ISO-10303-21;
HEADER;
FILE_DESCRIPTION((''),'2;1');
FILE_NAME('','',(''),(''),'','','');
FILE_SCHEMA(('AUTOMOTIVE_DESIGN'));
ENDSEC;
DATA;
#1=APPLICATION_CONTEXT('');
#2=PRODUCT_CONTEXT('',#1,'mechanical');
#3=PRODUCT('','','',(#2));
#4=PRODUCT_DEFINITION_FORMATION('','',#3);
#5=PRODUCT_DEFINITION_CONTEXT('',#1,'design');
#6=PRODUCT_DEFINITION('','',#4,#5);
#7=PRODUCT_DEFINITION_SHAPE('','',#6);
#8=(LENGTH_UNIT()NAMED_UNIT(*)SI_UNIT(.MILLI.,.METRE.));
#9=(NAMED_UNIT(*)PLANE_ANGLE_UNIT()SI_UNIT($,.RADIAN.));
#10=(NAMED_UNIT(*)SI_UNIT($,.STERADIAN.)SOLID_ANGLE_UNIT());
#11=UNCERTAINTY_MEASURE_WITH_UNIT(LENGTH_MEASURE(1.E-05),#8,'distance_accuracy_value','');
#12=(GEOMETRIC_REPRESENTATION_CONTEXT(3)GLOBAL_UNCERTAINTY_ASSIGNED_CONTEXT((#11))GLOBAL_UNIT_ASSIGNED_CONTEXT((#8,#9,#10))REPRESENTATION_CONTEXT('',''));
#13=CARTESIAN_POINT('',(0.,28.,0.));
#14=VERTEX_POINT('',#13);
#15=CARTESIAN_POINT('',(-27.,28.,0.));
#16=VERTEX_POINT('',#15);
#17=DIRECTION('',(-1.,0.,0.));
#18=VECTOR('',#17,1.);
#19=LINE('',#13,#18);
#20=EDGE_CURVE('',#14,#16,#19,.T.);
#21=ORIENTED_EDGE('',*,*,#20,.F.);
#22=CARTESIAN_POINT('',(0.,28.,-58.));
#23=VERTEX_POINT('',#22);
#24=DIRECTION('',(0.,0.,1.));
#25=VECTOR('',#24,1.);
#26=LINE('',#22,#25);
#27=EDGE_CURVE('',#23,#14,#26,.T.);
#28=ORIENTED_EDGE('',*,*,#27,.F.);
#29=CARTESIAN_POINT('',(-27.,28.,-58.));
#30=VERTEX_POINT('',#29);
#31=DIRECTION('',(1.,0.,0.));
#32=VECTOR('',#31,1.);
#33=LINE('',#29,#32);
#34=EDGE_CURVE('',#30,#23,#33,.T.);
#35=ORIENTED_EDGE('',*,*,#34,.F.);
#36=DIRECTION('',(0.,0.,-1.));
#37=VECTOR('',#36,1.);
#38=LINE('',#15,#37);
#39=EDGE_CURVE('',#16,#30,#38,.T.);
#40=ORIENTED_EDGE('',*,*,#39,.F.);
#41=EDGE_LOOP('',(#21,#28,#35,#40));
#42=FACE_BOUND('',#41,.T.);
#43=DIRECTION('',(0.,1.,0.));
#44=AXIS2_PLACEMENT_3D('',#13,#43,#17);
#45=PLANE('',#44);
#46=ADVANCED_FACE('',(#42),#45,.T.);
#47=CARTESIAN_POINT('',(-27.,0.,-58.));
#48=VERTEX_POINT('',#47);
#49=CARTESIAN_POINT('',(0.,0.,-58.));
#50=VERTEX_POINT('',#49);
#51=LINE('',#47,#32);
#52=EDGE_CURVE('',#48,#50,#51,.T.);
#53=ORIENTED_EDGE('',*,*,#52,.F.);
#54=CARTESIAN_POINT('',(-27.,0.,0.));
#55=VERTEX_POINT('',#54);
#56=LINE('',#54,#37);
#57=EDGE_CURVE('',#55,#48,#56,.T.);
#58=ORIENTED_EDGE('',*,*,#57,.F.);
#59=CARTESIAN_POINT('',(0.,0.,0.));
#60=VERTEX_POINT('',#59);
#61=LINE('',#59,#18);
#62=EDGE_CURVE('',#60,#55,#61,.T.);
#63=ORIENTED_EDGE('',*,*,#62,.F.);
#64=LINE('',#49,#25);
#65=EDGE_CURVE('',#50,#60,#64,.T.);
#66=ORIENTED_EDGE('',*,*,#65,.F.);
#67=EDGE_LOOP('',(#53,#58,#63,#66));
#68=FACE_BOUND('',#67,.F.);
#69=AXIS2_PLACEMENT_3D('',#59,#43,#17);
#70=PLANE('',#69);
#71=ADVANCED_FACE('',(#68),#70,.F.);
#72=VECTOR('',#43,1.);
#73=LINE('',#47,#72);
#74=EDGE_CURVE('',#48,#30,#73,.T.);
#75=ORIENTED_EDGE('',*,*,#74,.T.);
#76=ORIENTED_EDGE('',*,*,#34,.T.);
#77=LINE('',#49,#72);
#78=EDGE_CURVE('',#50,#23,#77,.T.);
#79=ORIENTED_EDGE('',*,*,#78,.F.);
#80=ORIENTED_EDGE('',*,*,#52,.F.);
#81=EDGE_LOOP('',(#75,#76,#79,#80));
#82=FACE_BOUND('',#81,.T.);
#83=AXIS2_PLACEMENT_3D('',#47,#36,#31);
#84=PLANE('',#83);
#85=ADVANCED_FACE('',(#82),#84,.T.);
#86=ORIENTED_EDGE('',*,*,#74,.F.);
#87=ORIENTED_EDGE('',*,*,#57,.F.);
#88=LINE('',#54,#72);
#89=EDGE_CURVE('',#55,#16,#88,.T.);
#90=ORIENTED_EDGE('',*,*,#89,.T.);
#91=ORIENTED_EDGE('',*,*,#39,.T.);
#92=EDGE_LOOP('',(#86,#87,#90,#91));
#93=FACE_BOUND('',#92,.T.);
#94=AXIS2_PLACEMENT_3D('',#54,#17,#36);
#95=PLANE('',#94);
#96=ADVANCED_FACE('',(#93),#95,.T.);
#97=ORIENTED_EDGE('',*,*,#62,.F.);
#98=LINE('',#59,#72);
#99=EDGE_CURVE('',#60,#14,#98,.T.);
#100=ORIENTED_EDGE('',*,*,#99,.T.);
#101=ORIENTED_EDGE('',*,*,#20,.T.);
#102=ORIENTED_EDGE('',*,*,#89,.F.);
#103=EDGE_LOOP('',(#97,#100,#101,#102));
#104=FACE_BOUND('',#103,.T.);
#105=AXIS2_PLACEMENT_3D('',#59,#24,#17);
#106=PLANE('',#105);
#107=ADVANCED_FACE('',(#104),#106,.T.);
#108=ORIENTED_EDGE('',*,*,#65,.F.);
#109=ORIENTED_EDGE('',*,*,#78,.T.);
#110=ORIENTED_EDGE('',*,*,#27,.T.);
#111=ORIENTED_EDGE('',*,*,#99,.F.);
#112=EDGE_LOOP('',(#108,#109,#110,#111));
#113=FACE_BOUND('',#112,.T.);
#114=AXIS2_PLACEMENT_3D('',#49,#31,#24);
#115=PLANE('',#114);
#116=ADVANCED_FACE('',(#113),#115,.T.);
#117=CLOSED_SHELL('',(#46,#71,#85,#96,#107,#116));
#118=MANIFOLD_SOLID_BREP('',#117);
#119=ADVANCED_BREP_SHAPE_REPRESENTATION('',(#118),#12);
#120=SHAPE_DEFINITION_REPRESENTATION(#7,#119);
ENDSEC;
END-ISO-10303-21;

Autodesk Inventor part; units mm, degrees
ref_plane "YZ Plane" through (0, 0, 0) normal (1, 0, 0) x (0, 1, 0)
ref_plane "XZ Plane" through (0, 0, 0) normal (0, 1, 0) x (-1, 0, 0)
ref_plane "XY Plane" through (0, 0, 0) normal (0, 0, 1) x (1, 0, 0)
sketch "Эскиз1" plane through (0, 0, 0) normal (0, 1, 0) x (-1, 0, 0)
  line L0 (0, 0) -> (27, 0)
  line L1 (27, 0) -> (27, -58)
  line L2 (27, -58) -> (0, -58)
  line L3 (0, -58) -> (0, 0)
  dimension "d0" = 27
  dimension "d1" = 58
extrude "Выдавливание1" add sketch "Эскиз1" along normal blind 28
properties part number "Тестовая схема расположения электронники 2"
